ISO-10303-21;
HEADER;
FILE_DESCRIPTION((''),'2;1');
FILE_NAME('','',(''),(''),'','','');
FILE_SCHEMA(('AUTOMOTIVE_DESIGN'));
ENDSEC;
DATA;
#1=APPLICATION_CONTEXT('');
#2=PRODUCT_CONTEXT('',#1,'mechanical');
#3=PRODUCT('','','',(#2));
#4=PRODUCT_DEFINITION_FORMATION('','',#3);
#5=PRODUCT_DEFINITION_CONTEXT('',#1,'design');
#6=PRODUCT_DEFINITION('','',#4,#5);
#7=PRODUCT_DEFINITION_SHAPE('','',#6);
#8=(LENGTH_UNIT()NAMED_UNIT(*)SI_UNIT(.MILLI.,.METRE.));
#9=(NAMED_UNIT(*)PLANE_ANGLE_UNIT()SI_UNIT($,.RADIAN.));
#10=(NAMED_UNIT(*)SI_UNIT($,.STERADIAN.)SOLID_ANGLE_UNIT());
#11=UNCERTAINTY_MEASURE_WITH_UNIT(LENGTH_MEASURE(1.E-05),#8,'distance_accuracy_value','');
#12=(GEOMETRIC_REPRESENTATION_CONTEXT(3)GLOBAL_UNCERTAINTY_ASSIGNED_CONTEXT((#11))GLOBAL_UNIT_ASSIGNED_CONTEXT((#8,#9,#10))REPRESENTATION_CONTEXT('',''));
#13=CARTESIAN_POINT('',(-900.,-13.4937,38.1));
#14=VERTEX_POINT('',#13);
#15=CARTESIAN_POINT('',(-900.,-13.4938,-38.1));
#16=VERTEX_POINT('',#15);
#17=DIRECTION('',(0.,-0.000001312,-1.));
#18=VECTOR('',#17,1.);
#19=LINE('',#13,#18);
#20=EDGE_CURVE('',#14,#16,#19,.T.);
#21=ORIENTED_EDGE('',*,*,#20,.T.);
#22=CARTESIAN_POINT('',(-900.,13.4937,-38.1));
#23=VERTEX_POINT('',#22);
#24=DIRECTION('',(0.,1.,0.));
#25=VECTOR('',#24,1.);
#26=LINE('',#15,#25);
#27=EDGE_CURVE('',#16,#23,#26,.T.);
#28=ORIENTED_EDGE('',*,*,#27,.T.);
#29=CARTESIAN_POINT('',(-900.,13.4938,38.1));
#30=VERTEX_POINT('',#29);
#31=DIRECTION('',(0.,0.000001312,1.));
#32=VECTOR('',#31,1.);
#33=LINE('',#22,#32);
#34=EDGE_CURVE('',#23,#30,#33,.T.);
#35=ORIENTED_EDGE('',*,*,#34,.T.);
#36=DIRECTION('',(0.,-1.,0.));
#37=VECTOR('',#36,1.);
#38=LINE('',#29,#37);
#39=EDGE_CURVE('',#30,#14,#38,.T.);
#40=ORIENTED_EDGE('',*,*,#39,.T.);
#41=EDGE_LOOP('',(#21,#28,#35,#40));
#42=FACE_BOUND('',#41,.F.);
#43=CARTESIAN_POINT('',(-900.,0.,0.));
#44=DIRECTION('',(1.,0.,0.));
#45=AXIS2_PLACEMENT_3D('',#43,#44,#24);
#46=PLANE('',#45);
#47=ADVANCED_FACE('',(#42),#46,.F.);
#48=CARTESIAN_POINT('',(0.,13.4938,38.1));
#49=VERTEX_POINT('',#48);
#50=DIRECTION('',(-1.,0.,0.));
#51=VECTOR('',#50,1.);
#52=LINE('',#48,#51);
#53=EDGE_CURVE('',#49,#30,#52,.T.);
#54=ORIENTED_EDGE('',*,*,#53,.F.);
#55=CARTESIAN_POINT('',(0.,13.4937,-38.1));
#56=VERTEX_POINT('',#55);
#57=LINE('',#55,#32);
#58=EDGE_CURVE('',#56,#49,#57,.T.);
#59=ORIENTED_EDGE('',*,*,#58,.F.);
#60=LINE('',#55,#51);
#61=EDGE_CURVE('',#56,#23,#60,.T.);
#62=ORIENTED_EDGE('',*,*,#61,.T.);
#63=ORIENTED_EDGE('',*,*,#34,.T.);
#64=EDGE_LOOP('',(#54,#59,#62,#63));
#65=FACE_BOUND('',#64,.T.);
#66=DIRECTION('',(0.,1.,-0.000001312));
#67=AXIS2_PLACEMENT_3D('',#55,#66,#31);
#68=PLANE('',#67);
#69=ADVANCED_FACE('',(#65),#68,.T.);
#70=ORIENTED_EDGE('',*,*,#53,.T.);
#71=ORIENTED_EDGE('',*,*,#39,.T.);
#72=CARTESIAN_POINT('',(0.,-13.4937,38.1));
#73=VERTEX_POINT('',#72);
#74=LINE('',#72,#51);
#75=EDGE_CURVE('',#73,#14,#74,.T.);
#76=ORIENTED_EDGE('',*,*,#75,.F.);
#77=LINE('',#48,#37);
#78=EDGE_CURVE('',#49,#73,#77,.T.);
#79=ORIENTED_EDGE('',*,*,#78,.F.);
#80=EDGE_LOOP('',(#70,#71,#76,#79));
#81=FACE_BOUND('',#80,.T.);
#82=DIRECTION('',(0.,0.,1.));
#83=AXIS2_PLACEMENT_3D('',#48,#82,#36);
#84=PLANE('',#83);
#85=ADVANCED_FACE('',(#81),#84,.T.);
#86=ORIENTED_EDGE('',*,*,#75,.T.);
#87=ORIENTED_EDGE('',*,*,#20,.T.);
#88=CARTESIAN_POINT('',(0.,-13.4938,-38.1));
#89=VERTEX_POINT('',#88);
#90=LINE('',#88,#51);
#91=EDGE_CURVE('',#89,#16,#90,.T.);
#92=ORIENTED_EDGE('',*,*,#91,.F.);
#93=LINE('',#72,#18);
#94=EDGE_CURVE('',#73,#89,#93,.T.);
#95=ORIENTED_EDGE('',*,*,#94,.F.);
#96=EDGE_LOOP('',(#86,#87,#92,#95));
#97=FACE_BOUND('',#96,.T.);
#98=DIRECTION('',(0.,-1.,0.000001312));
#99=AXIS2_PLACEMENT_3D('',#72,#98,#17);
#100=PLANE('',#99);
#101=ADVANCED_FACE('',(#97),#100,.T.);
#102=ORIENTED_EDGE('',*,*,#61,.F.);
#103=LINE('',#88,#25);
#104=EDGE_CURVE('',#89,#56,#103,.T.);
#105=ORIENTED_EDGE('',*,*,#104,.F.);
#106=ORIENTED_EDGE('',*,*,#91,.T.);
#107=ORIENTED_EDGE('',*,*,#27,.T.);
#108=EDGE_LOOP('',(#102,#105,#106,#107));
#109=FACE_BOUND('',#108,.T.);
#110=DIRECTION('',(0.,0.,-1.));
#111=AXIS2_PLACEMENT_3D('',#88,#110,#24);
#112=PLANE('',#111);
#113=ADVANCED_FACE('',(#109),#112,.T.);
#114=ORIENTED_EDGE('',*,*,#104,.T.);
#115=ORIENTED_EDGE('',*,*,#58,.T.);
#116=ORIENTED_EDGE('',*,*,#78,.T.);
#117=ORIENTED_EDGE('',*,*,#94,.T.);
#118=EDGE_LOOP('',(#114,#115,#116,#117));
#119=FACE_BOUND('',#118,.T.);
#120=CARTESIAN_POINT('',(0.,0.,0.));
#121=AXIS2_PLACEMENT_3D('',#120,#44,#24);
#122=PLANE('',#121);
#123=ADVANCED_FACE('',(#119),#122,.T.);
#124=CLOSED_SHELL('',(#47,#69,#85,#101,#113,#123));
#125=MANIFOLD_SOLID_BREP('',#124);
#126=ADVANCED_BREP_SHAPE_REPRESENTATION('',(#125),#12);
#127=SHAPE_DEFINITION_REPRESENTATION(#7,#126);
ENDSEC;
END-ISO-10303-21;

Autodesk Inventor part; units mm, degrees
ref_plane "YZ Plane" through (0, 0, 0) normal (1, 0, 0) x (0, 1, 0)
ref_plane "XZ Plane" through (0, 0, 0) normal (0, 1, 0) x (-1, 0, 0)
ref_plane "XY Plane" through (0, 0, 0) normal (0, 0, 1) x (1, 0, 0)
sketch "Sketch1" plane through (0, 0, 0) normal (1, 0, 0) x (0, 1, 0)
  line L0 (-13.4938, -38.1) -> (13.4937, -38.1)
  line L1 (13.4937, -38.1) -> (13.4938, 38.1)
  line L2 (13.4938, 38.1) -> (-13.4937, 38.1)
  line L3 (-13.4937, 38.1) -> (-13.4938, -38.1)
  line L4 (-13.4938, -38.1) -> (13.4938, 38.1) construction
  line L5 (13.4937, -38.1) -> (-13.4937, 38.1) construction
  point P0 (0, 0)
  dimension "d0" = 26.9875
  dimension "d1" = 76.2
extrude "Extrusion1" add sketch "Sketch1" against normal blind 900
properties part number "CENTREBUMP"
